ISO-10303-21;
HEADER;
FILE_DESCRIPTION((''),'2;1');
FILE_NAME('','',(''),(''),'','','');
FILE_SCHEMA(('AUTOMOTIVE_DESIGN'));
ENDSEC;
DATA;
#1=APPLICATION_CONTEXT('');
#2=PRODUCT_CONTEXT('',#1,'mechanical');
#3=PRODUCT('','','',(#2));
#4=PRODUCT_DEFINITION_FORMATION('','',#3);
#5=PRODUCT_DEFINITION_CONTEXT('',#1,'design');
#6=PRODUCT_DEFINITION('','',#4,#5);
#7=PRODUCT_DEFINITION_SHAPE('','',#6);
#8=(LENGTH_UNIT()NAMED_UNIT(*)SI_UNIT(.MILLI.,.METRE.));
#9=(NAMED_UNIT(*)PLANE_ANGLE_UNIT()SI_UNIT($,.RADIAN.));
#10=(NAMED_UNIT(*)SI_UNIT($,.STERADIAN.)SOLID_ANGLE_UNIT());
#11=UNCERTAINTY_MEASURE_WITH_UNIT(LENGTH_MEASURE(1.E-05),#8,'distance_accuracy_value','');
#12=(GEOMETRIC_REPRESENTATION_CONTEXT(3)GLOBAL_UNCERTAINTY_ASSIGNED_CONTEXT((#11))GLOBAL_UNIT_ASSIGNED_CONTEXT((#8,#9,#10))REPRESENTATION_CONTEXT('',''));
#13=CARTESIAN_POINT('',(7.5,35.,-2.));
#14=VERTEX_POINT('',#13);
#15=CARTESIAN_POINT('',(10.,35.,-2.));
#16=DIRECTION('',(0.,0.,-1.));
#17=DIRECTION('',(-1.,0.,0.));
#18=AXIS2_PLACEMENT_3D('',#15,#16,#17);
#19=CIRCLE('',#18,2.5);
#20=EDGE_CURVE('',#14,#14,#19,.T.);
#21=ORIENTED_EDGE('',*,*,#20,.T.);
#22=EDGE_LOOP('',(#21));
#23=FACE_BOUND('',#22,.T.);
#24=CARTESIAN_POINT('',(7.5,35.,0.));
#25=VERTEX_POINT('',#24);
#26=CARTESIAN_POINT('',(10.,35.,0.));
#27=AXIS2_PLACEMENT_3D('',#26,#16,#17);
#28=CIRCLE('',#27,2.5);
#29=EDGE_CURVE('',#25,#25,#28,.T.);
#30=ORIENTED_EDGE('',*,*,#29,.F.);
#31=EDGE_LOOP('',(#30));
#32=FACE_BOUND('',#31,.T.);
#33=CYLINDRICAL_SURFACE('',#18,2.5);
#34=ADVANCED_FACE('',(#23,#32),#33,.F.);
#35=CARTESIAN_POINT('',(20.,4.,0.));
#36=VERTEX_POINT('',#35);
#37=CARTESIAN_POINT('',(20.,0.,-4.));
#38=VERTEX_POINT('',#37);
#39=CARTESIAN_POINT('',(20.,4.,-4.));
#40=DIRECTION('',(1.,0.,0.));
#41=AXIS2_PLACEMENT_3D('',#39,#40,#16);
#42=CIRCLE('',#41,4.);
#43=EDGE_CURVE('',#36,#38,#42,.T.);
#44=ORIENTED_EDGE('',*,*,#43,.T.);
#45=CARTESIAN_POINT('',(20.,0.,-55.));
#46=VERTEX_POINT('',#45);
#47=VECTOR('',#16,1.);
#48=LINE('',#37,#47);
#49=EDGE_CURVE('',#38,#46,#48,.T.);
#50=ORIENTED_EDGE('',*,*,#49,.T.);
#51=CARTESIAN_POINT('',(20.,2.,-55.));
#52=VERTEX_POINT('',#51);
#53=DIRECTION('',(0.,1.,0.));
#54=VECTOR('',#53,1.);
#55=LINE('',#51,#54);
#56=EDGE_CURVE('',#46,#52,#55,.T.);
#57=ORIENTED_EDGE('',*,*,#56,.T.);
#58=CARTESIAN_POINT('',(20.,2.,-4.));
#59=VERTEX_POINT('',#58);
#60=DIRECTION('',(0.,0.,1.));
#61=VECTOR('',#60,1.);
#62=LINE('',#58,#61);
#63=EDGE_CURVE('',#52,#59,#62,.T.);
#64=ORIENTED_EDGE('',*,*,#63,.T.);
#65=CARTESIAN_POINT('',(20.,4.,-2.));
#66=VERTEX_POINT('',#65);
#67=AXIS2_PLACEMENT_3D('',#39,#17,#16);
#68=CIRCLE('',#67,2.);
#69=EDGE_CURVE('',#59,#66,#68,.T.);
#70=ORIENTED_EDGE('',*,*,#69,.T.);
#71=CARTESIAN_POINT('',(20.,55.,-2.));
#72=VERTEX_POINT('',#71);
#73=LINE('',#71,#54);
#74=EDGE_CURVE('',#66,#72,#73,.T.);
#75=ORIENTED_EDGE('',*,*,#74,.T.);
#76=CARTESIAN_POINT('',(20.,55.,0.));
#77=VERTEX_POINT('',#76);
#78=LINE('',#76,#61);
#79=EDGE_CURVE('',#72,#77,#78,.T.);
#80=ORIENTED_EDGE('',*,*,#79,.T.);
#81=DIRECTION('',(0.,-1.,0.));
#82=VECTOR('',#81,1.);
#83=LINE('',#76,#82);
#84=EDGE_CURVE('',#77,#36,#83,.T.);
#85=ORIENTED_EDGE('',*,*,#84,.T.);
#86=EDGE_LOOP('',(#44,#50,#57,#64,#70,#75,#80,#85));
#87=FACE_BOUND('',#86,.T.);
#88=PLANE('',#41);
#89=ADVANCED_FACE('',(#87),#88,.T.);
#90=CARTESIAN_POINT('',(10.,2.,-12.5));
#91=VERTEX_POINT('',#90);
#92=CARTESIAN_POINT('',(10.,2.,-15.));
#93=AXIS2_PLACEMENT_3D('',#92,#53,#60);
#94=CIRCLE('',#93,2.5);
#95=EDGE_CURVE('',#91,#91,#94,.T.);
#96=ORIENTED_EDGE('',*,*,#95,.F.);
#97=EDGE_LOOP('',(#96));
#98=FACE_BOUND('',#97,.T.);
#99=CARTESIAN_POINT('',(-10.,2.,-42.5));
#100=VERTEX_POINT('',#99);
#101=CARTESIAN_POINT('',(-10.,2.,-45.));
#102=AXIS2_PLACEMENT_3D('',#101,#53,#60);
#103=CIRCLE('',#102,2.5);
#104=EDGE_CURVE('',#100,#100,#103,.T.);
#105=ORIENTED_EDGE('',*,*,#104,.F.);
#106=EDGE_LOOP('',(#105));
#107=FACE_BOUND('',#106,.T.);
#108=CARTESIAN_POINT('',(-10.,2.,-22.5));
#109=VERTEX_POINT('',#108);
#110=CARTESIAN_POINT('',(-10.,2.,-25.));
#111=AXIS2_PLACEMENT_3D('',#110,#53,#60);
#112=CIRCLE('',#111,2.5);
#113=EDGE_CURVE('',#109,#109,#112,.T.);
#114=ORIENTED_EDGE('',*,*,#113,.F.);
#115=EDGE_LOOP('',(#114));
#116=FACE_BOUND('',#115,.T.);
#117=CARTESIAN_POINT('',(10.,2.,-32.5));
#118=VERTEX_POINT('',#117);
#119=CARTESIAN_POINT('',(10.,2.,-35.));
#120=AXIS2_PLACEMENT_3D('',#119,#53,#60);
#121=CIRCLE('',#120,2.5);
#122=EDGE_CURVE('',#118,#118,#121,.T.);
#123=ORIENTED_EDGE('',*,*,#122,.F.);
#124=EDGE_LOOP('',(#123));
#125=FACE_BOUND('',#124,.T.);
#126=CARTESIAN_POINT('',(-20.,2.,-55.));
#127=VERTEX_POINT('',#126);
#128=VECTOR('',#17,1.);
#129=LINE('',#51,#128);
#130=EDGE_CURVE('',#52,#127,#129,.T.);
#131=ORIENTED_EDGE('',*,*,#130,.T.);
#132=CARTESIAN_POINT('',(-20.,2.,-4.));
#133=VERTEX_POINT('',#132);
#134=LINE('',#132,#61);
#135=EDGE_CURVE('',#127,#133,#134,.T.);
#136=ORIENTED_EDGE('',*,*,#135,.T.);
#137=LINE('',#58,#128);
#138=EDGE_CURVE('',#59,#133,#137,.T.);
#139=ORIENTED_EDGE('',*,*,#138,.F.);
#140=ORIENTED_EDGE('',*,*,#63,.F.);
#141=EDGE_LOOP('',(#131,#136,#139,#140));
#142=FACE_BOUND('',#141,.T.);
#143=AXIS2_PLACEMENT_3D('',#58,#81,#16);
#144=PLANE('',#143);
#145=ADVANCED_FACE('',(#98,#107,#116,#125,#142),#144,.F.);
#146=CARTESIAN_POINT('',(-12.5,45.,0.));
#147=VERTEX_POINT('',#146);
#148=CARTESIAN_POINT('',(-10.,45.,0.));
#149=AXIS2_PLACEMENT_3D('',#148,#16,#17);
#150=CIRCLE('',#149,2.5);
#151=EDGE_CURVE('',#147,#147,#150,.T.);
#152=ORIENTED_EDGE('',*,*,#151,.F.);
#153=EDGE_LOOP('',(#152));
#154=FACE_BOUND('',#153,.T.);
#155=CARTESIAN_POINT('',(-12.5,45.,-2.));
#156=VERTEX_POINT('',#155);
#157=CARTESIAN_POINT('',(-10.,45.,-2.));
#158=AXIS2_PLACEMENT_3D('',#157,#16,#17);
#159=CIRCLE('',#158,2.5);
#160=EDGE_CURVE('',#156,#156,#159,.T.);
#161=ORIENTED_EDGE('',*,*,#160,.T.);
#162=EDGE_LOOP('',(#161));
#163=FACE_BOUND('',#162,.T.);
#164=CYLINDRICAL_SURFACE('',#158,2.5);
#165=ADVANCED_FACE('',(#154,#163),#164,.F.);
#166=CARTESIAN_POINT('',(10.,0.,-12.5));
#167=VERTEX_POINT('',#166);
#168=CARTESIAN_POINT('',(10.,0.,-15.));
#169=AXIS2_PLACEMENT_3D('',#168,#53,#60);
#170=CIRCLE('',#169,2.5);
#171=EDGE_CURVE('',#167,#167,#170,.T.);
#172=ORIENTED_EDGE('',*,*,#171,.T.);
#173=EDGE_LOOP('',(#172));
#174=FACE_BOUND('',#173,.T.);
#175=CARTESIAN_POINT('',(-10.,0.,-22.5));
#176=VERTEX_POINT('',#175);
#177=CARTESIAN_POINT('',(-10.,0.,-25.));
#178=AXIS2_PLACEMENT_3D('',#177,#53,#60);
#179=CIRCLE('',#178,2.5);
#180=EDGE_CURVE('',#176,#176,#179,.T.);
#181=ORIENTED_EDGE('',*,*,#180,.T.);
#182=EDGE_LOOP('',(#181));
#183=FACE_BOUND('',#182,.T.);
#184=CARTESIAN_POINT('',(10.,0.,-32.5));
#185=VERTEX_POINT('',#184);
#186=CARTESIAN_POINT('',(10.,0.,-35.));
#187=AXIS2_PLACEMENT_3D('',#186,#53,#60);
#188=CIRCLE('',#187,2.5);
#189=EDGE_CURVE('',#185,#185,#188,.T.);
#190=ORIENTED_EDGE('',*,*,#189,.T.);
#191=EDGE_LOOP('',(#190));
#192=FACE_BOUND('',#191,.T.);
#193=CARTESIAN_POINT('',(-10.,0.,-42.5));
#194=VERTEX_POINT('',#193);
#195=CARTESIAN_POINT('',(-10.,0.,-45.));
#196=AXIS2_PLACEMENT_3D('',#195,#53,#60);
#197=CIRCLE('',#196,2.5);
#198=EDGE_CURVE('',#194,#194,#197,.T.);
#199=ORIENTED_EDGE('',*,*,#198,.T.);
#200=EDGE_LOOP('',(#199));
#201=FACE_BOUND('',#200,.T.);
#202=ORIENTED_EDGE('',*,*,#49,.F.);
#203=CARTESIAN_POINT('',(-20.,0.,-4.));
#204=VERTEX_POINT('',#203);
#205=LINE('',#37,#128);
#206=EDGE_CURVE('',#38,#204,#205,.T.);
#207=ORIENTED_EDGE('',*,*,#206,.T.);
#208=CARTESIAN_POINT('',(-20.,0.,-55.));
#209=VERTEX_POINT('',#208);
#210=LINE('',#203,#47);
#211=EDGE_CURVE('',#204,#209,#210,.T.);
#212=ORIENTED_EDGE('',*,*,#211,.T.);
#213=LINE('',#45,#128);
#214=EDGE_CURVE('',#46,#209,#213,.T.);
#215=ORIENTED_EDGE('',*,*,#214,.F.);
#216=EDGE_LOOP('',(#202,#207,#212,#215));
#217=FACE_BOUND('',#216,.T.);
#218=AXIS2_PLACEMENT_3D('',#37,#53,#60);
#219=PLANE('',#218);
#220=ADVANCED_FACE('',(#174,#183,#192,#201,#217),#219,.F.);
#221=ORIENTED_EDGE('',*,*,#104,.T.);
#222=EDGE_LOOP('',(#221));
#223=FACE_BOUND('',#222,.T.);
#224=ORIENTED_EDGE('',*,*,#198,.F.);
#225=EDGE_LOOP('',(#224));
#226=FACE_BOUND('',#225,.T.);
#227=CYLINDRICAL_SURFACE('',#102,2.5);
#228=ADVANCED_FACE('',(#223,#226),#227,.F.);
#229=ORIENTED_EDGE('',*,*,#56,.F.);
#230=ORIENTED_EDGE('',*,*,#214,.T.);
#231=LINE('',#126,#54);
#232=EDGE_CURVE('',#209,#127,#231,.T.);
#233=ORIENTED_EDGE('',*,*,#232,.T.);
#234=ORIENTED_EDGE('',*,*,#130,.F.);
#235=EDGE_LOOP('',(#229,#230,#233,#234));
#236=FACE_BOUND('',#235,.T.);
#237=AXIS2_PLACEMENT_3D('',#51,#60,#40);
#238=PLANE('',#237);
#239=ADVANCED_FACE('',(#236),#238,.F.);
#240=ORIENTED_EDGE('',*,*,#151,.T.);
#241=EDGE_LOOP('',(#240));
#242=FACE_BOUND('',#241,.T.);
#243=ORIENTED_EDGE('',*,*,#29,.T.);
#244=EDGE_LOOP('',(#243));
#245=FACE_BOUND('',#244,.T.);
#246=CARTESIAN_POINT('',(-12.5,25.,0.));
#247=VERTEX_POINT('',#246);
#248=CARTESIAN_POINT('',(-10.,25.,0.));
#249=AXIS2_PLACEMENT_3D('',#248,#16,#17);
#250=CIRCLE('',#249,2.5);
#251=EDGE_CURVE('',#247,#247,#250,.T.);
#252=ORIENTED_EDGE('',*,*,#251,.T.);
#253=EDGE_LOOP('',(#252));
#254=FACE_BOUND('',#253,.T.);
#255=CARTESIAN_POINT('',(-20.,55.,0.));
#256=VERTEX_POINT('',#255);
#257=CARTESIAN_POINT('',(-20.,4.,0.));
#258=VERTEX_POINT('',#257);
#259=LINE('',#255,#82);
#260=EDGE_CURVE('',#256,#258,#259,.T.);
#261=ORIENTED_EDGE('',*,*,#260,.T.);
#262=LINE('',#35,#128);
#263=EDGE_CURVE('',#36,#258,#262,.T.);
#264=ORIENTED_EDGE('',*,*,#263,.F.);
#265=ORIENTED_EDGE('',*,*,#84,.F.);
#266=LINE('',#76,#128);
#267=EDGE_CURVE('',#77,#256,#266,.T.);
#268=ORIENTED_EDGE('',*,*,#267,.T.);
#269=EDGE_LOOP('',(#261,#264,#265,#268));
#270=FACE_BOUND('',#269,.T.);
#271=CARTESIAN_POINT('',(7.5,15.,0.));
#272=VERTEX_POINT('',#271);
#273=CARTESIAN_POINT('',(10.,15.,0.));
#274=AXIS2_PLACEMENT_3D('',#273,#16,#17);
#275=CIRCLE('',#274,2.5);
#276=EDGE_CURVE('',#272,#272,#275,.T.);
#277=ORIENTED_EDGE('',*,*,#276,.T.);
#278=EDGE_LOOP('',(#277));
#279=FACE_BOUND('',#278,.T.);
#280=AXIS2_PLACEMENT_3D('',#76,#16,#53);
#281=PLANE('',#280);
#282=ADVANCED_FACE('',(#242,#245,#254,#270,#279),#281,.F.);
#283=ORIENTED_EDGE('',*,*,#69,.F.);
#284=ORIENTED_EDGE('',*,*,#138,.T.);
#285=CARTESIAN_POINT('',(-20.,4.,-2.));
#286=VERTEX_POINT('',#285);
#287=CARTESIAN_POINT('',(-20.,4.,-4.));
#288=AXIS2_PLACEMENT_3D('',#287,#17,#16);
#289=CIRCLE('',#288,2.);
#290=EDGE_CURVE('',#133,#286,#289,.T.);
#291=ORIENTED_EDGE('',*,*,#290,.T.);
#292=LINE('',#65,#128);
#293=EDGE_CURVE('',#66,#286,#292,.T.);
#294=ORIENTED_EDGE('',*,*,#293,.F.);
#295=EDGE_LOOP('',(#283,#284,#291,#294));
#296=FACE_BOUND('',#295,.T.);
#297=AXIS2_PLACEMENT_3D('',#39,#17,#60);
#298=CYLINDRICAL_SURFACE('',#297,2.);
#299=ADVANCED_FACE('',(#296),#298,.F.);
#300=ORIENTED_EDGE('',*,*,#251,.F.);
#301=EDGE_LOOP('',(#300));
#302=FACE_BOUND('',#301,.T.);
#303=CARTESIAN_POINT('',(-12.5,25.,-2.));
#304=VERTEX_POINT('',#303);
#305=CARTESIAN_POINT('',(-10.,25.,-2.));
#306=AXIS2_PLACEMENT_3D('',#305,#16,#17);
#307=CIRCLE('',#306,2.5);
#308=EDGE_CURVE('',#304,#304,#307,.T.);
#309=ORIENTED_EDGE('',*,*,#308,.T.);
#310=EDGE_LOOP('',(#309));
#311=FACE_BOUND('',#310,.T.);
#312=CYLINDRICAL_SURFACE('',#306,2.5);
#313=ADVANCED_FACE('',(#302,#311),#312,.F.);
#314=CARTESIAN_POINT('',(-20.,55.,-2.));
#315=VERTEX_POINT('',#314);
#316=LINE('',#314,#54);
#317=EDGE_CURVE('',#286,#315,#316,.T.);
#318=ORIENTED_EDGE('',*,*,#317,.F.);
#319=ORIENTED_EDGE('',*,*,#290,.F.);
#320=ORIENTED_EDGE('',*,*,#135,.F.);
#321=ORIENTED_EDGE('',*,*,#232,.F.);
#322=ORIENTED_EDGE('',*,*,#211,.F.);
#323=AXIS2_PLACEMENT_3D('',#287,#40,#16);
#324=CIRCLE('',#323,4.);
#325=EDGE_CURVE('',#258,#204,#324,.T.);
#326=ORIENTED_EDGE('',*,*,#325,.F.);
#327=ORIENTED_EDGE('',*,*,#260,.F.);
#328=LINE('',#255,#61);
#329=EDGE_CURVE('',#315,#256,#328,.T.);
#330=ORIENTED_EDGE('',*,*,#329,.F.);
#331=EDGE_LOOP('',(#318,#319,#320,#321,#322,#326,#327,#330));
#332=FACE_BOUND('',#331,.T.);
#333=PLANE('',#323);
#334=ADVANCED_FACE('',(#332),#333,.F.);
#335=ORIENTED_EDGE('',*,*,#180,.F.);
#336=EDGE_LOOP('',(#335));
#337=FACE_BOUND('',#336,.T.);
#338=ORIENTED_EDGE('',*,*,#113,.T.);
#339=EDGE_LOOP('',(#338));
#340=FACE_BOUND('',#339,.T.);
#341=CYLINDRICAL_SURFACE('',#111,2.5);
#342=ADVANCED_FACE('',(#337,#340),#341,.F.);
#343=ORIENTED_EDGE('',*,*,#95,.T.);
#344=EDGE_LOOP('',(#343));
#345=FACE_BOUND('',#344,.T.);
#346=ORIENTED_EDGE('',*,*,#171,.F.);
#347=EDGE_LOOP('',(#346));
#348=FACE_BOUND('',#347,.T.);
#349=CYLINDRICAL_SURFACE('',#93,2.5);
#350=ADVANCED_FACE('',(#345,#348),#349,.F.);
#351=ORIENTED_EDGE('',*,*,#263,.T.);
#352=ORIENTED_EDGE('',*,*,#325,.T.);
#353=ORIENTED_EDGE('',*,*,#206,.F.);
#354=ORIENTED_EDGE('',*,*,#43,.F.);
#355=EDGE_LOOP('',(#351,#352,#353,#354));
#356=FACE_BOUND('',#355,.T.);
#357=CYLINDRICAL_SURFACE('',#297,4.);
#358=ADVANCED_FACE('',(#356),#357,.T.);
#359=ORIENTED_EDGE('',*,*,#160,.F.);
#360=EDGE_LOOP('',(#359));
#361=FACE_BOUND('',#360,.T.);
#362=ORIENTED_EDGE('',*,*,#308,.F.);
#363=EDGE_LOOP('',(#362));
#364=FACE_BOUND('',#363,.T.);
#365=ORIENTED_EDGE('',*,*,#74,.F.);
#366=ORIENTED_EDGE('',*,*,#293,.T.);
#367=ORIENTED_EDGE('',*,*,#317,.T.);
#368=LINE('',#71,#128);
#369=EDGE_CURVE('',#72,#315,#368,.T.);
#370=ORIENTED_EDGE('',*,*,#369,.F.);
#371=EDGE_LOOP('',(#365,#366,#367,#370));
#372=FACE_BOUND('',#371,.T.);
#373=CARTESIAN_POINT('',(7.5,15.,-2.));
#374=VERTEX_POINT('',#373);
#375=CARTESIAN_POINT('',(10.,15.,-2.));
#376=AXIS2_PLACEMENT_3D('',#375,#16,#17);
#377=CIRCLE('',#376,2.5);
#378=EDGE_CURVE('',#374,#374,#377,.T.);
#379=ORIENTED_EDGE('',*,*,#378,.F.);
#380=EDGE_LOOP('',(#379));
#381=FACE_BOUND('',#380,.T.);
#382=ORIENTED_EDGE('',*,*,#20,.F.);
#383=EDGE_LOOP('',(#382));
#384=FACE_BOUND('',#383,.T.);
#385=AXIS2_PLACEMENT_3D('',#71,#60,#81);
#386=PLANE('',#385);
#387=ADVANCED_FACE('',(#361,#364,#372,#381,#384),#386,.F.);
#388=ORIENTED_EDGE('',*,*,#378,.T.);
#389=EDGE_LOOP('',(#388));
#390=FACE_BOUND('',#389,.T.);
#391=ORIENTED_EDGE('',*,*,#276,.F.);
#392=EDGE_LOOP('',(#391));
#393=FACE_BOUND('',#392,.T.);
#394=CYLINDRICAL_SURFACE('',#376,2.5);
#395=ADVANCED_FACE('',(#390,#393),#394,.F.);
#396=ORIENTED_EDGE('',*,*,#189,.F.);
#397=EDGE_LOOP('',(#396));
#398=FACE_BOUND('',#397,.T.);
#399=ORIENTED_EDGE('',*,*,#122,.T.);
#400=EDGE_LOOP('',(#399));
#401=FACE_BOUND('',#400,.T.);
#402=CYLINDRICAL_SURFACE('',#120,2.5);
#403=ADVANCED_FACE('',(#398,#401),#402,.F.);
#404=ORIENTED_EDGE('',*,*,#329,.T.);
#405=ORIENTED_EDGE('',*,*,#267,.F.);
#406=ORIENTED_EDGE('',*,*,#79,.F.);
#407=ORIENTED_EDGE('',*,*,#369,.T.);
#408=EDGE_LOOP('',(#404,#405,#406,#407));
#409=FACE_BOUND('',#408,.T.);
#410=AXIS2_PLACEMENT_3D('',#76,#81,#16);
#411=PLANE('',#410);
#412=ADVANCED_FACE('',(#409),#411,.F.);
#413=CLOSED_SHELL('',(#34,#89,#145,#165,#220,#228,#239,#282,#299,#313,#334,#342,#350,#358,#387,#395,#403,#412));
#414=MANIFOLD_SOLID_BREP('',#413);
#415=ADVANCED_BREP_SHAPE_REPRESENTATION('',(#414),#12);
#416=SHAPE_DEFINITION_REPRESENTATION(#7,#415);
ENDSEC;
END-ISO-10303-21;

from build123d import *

# Parameters (mm, degrees)
BOSS_EXTRU_1_DEPTH            = 20
DIAM_TRE_DU_PER_AGE_5_0_5_1_D = 5
DIAM_TRE_DU_PER_AGE_5_0_5_2_D = 5


with BuildPart() as part:
    # Esquisse1 → Boss.-Extru.1 (new body, symmetric)
    with BuildSketch(Plane(origin=(0, 0, 0), x_dir=(0, 0, -1), z_dir=(1, 0, 0))):
        with BuildLine():
            Line((0, 55), (0, 4))
            ThreePointArc((0, 4), (1.171572875, 1.171572875), (4, 0))
            Line((4, 0), (55, 0))
            Line((55, 0), (55, 2))
            Line((55, 2), (4, 2))
            ThreePointArc((4, 2), (2.585786438, 2.585786438), (2, 4))
            Line((2, 4), (2, 55))
            Line((2, 55), (0, 55))
        make_face()
    extrude(amount=BOSS_EXTRU_1_DEPTH, both=True)

    # Diamètre du perçage Ø5.0 (5)1 (through all)
    with Locations(Plane(origin=(0, 2, 0), x_dir=(1, 0, 0), z_dir=(0, 1, 0))):
        with Locations((-10, 45), (-10, 25), (10, 35), (10, 15)):
            Hole(DIAM_TRE_DU_PER_AGE_5_0_5_1_D / 2)

    # Diamètre du perçage Ø5.0 (5)2 (through all)
    with Locations(Plane(origin=(0, 0, -2), x_dir=(-1, 0, 0), z_dir=(0, 0, -1))):
        with Locations((-10, 15), (-10, 35), (10, 25), (10, 45)):
            Hole(DIAM_TRE_DU_PER_AGE_5_0_5_2_D / 2)


solid = part.part
